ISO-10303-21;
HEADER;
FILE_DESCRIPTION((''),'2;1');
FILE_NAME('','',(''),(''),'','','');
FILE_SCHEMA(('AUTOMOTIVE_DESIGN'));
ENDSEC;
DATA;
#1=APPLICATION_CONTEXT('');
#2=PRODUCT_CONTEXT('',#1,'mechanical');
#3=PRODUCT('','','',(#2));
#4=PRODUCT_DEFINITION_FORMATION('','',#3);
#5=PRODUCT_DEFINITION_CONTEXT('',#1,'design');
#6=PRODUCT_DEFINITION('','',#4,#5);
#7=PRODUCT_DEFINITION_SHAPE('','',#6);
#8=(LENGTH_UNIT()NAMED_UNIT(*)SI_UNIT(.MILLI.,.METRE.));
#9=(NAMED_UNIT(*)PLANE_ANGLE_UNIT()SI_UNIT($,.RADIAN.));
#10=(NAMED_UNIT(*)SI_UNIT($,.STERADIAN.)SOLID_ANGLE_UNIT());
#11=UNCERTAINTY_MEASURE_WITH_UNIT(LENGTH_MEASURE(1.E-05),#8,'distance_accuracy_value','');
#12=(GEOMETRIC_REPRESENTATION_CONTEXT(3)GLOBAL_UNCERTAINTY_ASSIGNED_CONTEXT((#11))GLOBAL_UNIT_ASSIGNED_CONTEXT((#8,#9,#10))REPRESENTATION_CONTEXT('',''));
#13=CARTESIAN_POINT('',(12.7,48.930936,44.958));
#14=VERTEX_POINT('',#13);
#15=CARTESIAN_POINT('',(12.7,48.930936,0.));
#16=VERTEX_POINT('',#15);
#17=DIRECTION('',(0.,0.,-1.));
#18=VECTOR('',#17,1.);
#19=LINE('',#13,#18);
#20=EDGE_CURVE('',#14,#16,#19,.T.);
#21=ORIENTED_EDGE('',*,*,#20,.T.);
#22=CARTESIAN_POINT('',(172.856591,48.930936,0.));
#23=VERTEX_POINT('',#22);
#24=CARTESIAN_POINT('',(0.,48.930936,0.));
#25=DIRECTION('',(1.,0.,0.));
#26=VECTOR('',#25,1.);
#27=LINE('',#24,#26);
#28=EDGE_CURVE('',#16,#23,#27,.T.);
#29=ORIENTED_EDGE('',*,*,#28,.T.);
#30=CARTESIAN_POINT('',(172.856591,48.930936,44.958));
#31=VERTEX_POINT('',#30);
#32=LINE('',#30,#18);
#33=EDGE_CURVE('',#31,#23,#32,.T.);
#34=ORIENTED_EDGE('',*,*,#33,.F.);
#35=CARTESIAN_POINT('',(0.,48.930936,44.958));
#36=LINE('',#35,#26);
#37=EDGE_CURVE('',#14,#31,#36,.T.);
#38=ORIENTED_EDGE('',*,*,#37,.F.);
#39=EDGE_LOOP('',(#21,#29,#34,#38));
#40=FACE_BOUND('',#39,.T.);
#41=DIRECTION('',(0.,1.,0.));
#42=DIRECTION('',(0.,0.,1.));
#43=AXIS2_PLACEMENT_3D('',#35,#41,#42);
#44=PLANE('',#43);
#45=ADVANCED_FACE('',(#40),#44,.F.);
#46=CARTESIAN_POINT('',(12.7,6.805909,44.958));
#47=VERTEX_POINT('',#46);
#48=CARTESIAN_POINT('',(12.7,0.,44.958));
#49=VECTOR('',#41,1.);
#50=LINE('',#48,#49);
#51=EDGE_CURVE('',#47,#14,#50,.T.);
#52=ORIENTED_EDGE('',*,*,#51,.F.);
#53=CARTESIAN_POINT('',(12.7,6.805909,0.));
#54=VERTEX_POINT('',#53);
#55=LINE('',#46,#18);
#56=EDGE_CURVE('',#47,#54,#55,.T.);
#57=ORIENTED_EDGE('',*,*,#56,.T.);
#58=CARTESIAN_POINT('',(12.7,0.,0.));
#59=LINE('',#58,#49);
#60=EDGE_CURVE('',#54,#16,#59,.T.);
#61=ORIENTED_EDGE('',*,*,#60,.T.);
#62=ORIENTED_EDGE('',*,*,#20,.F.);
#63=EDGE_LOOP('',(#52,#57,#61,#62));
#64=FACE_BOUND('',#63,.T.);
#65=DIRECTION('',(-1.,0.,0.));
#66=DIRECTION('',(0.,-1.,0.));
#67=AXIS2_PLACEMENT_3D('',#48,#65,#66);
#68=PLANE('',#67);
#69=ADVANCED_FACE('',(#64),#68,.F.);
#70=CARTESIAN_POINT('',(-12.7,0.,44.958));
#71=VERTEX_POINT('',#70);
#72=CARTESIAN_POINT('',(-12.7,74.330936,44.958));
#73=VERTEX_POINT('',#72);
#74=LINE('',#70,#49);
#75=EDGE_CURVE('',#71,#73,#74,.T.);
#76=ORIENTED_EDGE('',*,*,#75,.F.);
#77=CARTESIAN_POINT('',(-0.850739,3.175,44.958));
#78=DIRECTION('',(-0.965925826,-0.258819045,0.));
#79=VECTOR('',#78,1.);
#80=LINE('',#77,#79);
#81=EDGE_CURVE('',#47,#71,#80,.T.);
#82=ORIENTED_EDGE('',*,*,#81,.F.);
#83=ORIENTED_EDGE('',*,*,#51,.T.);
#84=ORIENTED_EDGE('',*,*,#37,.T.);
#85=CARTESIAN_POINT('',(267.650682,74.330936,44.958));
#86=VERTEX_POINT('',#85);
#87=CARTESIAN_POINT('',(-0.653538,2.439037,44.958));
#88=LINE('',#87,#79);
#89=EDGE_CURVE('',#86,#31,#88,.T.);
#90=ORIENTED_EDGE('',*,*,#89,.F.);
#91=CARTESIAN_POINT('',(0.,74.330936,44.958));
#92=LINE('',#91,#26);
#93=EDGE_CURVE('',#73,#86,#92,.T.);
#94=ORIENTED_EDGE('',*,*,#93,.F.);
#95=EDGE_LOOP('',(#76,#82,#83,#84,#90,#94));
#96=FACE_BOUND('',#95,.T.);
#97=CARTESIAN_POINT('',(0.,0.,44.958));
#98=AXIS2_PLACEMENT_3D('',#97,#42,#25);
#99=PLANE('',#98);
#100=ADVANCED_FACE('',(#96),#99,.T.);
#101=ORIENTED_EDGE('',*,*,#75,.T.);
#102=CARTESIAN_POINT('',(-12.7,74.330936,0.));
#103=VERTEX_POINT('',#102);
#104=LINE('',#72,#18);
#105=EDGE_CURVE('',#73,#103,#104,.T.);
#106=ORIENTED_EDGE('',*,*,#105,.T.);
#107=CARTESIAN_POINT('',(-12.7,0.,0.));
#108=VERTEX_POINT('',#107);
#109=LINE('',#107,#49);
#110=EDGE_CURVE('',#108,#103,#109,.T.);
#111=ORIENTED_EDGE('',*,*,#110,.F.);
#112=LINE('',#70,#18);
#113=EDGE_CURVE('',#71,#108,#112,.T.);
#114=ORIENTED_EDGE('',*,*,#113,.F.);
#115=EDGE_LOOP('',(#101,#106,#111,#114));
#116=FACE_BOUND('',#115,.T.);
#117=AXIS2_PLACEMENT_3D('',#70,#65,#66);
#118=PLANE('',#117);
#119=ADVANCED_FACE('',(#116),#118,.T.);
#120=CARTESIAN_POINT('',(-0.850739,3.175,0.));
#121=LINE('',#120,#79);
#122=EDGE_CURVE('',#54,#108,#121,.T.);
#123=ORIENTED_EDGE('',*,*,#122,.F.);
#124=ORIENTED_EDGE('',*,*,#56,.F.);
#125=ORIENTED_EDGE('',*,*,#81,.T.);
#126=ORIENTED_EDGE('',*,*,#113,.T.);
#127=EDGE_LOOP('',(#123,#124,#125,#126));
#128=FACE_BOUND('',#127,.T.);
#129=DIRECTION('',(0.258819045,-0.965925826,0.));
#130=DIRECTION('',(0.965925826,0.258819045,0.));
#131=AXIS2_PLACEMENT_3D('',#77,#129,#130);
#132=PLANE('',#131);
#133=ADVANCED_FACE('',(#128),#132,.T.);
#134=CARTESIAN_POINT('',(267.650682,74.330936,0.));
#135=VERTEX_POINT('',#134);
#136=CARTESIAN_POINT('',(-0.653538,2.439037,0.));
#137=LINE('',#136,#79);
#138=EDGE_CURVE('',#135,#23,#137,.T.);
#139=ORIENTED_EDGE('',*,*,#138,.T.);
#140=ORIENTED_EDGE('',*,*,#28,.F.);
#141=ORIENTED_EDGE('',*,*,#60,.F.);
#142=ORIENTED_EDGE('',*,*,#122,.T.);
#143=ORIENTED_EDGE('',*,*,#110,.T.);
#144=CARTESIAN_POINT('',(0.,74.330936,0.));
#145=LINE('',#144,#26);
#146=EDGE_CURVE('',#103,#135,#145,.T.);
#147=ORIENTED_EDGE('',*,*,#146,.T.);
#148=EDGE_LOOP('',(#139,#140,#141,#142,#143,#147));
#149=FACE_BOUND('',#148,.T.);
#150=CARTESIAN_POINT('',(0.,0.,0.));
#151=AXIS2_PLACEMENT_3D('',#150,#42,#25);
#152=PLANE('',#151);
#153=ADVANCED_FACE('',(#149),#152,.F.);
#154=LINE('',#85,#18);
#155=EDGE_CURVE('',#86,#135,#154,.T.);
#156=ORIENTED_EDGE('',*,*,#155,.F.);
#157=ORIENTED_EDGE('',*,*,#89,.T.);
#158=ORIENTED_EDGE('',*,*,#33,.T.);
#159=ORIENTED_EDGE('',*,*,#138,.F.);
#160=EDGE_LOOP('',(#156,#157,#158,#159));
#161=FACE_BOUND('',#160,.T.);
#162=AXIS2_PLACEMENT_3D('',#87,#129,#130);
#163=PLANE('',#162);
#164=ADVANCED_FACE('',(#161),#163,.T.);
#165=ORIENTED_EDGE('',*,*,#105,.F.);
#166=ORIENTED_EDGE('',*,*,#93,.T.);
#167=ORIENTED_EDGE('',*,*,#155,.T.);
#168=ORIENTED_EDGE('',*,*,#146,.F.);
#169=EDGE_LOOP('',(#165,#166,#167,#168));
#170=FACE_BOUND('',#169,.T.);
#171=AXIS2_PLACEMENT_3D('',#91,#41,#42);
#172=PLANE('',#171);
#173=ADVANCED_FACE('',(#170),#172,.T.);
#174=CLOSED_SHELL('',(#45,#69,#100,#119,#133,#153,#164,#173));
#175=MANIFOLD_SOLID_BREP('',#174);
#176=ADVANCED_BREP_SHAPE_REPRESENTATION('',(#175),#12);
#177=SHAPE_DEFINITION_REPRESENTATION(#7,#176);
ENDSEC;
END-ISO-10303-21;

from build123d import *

# Parameters (mm, degrees)
SKETCH1_W           = 25.4
SKETCH1_H           = 25.4
BOSS_EXTRUDE1_DEPTH = 44.958


with BuildPart() as part:
    # Sketch1 → Boss-Extrude1 (new body)
    with BuildSketch(Plane.XY):
        Polygon((-12.7, 0), (12.7, 6.805909488), (12.7, 48.930936062), (-12.7, 48.930936062), align=None)
        with Locations((0, 61.630936062)):
            Rectangle(SKETCH1_W, SKETCH1_H)
        Polygon((12.7, 74.330936062), (12.7, 48.930936062), (172.856591106, 48.930936062), (267.650681618, 74.330936062), align=None)
    extrude(amount=BOSS_EXTRUDE1_DEPTH)


solid = part.part
